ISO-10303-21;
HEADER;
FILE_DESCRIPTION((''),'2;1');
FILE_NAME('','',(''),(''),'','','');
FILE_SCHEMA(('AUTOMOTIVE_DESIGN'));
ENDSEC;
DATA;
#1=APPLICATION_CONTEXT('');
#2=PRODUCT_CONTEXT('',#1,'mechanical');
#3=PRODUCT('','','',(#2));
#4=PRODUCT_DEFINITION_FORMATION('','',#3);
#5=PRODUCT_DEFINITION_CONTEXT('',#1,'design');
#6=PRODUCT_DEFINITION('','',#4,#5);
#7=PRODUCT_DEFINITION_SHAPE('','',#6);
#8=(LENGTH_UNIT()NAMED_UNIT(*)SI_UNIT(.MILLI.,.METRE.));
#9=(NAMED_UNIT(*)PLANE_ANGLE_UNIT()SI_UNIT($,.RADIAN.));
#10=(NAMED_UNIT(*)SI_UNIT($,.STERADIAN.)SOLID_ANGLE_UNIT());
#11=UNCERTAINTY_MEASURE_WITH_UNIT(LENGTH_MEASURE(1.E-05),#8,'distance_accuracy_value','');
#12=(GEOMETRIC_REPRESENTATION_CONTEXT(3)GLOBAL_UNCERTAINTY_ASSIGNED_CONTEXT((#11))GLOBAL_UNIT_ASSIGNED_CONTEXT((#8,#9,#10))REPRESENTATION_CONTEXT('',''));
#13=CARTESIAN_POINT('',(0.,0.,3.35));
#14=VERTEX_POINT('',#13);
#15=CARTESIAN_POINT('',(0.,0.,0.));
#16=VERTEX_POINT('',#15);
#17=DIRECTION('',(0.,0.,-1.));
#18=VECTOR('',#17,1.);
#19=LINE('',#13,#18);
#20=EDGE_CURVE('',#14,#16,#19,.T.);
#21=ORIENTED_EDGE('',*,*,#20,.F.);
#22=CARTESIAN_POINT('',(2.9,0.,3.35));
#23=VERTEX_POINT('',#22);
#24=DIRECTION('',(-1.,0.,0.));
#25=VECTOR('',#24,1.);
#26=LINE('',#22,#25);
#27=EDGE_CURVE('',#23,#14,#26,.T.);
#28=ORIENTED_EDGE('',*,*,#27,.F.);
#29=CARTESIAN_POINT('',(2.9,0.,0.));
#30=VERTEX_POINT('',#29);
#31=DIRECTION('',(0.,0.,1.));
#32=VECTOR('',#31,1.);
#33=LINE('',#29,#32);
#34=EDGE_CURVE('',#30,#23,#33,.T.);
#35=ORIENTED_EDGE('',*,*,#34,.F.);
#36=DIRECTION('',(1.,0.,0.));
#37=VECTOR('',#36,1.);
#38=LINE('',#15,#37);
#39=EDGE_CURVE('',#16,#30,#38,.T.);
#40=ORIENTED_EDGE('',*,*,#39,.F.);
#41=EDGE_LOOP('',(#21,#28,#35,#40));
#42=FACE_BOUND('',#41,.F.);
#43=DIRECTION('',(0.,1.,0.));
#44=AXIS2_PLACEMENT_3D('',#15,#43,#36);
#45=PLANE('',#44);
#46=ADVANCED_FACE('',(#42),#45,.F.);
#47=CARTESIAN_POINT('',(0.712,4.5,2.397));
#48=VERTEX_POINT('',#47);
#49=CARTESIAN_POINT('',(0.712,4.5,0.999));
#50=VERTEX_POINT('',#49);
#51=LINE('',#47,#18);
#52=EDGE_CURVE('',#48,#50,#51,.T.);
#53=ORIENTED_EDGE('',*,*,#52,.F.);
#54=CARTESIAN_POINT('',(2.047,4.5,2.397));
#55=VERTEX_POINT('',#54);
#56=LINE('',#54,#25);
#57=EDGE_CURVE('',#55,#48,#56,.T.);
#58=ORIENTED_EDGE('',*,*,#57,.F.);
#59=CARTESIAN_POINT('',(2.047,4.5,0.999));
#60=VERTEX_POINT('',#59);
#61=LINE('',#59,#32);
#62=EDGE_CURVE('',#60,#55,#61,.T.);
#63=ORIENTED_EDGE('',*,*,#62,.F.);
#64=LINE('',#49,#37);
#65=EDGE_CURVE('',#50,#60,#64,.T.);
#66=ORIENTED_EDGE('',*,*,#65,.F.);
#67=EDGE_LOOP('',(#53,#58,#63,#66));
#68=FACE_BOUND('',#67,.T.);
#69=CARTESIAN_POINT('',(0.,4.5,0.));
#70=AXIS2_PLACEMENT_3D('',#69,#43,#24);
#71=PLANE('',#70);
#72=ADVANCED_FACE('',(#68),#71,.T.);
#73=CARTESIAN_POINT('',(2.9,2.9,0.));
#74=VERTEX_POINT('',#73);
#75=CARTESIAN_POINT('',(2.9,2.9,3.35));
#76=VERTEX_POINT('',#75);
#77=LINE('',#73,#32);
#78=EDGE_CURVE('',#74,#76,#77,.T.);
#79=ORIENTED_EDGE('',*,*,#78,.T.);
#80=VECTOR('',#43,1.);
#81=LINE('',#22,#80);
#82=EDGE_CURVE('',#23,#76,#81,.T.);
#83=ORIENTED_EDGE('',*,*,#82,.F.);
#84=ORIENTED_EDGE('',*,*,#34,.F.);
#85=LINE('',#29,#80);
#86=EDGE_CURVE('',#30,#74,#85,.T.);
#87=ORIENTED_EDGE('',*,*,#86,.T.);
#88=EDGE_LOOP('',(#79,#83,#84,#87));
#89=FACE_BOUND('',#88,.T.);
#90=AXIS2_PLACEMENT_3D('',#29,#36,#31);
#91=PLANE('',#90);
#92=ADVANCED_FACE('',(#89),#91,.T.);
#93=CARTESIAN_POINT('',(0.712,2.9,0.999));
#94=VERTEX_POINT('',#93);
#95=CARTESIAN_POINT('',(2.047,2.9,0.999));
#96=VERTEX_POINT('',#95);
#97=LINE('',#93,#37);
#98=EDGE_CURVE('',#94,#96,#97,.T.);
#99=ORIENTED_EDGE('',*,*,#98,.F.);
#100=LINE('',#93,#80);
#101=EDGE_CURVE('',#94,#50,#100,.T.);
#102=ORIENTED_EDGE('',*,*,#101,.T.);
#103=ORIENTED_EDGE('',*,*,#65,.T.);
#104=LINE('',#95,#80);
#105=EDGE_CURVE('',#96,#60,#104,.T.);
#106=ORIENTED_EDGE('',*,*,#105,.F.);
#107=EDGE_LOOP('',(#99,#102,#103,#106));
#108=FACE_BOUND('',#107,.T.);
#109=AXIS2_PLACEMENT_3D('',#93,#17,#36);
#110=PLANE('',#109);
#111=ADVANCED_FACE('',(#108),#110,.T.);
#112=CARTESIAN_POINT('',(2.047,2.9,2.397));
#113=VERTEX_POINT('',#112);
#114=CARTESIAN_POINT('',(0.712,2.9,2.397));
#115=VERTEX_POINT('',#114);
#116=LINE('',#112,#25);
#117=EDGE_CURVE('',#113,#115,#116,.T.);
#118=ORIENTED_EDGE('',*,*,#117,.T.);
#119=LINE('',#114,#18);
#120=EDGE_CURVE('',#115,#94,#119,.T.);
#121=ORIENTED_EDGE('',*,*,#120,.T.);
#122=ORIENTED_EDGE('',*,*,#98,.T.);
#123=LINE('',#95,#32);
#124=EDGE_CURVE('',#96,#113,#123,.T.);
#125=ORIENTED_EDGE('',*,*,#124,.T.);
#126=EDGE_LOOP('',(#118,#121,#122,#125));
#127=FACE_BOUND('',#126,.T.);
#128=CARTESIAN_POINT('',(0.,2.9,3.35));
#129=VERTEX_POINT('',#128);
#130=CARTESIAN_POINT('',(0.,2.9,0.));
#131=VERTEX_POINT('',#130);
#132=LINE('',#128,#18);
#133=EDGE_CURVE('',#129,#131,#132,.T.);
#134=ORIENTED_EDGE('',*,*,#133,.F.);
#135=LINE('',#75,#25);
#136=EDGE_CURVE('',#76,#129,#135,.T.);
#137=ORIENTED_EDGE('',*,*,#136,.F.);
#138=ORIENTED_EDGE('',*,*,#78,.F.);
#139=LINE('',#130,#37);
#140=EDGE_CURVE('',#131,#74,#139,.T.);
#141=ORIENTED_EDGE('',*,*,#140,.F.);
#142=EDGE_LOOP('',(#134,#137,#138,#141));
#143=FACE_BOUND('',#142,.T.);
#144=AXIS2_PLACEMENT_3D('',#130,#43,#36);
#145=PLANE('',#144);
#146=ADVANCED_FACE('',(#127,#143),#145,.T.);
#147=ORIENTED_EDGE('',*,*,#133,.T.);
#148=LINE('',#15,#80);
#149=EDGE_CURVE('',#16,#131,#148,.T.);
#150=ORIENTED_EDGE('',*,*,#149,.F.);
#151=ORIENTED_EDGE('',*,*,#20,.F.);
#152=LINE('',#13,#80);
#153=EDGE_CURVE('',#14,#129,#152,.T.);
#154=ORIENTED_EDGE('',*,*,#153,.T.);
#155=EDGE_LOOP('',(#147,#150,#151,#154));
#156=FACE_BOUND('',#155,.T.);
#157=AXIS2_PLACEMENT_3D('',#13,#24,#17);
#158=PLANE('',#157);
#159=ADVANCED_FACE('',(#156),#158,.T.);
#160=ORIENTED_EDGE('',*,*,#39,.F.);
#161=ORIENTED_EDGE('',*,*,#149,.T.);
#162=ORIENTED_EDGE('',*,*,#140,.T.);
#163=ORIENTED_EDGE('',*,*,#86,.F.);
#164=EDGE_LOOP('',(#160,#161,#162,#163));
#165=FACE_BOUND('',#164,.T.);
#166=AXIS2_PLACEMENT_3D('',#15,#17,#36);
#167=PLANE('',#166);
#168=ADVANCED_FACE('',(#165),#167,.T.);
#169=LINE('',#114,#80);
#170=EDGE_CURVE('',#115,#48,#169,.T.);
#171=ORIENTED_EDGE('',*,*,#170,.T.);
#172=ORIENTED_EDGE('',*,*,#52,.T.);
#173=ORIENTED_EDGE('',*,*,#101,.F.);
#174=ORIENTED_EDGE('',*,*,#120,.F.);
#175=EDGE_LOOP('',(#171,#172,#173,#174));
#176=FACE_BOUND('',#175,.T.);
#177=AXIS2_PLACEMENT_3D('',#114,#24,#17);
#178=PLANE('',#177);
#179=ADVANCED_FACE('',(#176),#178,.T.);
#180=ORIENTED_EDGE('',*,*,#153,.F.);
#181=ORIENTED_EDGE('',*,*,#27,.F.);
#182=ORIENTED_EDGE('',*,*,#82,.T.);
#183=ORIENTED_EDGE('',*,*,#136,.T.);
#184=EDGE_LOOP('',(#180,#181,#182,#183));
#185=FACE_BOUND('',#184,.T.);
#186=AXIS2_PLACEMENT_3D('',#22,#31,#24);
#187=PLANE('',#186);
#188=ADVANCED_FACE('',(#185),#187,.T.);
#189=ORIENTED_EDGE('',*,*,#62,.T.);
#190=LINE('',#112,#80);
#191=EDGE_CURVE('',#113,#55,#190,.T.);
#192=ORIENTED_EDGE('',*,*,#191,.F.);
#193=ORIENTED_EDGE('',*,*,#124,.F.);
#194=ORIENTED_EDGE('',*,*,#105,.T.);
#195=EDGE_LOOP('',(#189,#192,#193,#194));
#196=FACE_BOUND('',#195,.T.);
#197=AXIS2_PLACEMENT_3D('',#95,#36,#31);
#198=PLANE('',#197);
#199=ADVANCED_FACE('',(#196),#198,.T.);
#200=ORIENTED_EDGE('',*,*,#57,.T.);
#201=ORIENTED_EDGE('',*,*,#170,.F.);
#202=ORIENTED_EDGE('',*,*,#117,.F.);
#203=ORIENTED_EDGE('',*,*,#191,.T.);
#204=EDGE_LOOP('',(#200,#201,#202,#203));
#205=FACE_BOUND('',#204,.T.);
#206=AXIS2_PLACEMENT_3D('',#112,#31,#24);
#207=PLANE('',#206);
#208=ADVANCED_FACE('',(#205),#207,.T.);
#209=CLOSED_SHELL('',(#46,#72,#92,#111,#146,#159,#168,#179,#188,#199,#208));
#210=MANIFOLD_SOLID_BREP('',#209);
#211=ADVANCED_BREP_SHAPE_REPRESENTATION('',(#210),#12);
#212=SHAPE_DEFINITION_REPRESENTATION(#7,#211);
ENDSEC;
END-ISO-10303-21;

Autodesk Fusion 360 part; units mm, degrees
sketch "Sketch1" plane through (0, 0, 0) normal (0, 1, 0) x (1, 0, 0)
  line L0 (0, 0) -> (2.9, 0)
  line L1 (2.9, 0) -> (2.9, -3.35)
  line L2 (2.9, -3.35) -> (0, -3.35)
  line L3 (0, -3.35) -> (0, 0)
  dimension "d1" = 3.35
  dimension "d2" = 2.9
extrude "Extrude1" add sketch "Sketch1" along normal blind 2.9
sketch "Sketch2" plane through (0, 2.9, 0) normal (0, 1, 0) x (-1, 0, 0)
  line L0 (0, 3.35) -> (-2.9, 3.35)
  line L1 (-2.9, 3.35) -> (-2.9, 0)
  line L2 (-2.9, 0) -> (0, 0)
  line L3 (0, 0) -> (0, 3.35)
  line L4 (-0.712, 0.999) -> (-2.047, 0.999)
  line L5 (-2.047, 0.999) -> (-2.047, 2.397)
  line L6 (-2.047, 2.397) -> (-0.712, 2.397)
  line L7 (-0.712, 2.397) -> (-0.712, 0.999)
  dimension "d5" = 1.398
  dimension "d6" = 1.335
  dimension "d7" = 0.953
  dimension "d8" = 0.712
extrude "Extrude2" add sketch "Sketch2" along normal blind 1.6 contours L4 L5 L6 L7
